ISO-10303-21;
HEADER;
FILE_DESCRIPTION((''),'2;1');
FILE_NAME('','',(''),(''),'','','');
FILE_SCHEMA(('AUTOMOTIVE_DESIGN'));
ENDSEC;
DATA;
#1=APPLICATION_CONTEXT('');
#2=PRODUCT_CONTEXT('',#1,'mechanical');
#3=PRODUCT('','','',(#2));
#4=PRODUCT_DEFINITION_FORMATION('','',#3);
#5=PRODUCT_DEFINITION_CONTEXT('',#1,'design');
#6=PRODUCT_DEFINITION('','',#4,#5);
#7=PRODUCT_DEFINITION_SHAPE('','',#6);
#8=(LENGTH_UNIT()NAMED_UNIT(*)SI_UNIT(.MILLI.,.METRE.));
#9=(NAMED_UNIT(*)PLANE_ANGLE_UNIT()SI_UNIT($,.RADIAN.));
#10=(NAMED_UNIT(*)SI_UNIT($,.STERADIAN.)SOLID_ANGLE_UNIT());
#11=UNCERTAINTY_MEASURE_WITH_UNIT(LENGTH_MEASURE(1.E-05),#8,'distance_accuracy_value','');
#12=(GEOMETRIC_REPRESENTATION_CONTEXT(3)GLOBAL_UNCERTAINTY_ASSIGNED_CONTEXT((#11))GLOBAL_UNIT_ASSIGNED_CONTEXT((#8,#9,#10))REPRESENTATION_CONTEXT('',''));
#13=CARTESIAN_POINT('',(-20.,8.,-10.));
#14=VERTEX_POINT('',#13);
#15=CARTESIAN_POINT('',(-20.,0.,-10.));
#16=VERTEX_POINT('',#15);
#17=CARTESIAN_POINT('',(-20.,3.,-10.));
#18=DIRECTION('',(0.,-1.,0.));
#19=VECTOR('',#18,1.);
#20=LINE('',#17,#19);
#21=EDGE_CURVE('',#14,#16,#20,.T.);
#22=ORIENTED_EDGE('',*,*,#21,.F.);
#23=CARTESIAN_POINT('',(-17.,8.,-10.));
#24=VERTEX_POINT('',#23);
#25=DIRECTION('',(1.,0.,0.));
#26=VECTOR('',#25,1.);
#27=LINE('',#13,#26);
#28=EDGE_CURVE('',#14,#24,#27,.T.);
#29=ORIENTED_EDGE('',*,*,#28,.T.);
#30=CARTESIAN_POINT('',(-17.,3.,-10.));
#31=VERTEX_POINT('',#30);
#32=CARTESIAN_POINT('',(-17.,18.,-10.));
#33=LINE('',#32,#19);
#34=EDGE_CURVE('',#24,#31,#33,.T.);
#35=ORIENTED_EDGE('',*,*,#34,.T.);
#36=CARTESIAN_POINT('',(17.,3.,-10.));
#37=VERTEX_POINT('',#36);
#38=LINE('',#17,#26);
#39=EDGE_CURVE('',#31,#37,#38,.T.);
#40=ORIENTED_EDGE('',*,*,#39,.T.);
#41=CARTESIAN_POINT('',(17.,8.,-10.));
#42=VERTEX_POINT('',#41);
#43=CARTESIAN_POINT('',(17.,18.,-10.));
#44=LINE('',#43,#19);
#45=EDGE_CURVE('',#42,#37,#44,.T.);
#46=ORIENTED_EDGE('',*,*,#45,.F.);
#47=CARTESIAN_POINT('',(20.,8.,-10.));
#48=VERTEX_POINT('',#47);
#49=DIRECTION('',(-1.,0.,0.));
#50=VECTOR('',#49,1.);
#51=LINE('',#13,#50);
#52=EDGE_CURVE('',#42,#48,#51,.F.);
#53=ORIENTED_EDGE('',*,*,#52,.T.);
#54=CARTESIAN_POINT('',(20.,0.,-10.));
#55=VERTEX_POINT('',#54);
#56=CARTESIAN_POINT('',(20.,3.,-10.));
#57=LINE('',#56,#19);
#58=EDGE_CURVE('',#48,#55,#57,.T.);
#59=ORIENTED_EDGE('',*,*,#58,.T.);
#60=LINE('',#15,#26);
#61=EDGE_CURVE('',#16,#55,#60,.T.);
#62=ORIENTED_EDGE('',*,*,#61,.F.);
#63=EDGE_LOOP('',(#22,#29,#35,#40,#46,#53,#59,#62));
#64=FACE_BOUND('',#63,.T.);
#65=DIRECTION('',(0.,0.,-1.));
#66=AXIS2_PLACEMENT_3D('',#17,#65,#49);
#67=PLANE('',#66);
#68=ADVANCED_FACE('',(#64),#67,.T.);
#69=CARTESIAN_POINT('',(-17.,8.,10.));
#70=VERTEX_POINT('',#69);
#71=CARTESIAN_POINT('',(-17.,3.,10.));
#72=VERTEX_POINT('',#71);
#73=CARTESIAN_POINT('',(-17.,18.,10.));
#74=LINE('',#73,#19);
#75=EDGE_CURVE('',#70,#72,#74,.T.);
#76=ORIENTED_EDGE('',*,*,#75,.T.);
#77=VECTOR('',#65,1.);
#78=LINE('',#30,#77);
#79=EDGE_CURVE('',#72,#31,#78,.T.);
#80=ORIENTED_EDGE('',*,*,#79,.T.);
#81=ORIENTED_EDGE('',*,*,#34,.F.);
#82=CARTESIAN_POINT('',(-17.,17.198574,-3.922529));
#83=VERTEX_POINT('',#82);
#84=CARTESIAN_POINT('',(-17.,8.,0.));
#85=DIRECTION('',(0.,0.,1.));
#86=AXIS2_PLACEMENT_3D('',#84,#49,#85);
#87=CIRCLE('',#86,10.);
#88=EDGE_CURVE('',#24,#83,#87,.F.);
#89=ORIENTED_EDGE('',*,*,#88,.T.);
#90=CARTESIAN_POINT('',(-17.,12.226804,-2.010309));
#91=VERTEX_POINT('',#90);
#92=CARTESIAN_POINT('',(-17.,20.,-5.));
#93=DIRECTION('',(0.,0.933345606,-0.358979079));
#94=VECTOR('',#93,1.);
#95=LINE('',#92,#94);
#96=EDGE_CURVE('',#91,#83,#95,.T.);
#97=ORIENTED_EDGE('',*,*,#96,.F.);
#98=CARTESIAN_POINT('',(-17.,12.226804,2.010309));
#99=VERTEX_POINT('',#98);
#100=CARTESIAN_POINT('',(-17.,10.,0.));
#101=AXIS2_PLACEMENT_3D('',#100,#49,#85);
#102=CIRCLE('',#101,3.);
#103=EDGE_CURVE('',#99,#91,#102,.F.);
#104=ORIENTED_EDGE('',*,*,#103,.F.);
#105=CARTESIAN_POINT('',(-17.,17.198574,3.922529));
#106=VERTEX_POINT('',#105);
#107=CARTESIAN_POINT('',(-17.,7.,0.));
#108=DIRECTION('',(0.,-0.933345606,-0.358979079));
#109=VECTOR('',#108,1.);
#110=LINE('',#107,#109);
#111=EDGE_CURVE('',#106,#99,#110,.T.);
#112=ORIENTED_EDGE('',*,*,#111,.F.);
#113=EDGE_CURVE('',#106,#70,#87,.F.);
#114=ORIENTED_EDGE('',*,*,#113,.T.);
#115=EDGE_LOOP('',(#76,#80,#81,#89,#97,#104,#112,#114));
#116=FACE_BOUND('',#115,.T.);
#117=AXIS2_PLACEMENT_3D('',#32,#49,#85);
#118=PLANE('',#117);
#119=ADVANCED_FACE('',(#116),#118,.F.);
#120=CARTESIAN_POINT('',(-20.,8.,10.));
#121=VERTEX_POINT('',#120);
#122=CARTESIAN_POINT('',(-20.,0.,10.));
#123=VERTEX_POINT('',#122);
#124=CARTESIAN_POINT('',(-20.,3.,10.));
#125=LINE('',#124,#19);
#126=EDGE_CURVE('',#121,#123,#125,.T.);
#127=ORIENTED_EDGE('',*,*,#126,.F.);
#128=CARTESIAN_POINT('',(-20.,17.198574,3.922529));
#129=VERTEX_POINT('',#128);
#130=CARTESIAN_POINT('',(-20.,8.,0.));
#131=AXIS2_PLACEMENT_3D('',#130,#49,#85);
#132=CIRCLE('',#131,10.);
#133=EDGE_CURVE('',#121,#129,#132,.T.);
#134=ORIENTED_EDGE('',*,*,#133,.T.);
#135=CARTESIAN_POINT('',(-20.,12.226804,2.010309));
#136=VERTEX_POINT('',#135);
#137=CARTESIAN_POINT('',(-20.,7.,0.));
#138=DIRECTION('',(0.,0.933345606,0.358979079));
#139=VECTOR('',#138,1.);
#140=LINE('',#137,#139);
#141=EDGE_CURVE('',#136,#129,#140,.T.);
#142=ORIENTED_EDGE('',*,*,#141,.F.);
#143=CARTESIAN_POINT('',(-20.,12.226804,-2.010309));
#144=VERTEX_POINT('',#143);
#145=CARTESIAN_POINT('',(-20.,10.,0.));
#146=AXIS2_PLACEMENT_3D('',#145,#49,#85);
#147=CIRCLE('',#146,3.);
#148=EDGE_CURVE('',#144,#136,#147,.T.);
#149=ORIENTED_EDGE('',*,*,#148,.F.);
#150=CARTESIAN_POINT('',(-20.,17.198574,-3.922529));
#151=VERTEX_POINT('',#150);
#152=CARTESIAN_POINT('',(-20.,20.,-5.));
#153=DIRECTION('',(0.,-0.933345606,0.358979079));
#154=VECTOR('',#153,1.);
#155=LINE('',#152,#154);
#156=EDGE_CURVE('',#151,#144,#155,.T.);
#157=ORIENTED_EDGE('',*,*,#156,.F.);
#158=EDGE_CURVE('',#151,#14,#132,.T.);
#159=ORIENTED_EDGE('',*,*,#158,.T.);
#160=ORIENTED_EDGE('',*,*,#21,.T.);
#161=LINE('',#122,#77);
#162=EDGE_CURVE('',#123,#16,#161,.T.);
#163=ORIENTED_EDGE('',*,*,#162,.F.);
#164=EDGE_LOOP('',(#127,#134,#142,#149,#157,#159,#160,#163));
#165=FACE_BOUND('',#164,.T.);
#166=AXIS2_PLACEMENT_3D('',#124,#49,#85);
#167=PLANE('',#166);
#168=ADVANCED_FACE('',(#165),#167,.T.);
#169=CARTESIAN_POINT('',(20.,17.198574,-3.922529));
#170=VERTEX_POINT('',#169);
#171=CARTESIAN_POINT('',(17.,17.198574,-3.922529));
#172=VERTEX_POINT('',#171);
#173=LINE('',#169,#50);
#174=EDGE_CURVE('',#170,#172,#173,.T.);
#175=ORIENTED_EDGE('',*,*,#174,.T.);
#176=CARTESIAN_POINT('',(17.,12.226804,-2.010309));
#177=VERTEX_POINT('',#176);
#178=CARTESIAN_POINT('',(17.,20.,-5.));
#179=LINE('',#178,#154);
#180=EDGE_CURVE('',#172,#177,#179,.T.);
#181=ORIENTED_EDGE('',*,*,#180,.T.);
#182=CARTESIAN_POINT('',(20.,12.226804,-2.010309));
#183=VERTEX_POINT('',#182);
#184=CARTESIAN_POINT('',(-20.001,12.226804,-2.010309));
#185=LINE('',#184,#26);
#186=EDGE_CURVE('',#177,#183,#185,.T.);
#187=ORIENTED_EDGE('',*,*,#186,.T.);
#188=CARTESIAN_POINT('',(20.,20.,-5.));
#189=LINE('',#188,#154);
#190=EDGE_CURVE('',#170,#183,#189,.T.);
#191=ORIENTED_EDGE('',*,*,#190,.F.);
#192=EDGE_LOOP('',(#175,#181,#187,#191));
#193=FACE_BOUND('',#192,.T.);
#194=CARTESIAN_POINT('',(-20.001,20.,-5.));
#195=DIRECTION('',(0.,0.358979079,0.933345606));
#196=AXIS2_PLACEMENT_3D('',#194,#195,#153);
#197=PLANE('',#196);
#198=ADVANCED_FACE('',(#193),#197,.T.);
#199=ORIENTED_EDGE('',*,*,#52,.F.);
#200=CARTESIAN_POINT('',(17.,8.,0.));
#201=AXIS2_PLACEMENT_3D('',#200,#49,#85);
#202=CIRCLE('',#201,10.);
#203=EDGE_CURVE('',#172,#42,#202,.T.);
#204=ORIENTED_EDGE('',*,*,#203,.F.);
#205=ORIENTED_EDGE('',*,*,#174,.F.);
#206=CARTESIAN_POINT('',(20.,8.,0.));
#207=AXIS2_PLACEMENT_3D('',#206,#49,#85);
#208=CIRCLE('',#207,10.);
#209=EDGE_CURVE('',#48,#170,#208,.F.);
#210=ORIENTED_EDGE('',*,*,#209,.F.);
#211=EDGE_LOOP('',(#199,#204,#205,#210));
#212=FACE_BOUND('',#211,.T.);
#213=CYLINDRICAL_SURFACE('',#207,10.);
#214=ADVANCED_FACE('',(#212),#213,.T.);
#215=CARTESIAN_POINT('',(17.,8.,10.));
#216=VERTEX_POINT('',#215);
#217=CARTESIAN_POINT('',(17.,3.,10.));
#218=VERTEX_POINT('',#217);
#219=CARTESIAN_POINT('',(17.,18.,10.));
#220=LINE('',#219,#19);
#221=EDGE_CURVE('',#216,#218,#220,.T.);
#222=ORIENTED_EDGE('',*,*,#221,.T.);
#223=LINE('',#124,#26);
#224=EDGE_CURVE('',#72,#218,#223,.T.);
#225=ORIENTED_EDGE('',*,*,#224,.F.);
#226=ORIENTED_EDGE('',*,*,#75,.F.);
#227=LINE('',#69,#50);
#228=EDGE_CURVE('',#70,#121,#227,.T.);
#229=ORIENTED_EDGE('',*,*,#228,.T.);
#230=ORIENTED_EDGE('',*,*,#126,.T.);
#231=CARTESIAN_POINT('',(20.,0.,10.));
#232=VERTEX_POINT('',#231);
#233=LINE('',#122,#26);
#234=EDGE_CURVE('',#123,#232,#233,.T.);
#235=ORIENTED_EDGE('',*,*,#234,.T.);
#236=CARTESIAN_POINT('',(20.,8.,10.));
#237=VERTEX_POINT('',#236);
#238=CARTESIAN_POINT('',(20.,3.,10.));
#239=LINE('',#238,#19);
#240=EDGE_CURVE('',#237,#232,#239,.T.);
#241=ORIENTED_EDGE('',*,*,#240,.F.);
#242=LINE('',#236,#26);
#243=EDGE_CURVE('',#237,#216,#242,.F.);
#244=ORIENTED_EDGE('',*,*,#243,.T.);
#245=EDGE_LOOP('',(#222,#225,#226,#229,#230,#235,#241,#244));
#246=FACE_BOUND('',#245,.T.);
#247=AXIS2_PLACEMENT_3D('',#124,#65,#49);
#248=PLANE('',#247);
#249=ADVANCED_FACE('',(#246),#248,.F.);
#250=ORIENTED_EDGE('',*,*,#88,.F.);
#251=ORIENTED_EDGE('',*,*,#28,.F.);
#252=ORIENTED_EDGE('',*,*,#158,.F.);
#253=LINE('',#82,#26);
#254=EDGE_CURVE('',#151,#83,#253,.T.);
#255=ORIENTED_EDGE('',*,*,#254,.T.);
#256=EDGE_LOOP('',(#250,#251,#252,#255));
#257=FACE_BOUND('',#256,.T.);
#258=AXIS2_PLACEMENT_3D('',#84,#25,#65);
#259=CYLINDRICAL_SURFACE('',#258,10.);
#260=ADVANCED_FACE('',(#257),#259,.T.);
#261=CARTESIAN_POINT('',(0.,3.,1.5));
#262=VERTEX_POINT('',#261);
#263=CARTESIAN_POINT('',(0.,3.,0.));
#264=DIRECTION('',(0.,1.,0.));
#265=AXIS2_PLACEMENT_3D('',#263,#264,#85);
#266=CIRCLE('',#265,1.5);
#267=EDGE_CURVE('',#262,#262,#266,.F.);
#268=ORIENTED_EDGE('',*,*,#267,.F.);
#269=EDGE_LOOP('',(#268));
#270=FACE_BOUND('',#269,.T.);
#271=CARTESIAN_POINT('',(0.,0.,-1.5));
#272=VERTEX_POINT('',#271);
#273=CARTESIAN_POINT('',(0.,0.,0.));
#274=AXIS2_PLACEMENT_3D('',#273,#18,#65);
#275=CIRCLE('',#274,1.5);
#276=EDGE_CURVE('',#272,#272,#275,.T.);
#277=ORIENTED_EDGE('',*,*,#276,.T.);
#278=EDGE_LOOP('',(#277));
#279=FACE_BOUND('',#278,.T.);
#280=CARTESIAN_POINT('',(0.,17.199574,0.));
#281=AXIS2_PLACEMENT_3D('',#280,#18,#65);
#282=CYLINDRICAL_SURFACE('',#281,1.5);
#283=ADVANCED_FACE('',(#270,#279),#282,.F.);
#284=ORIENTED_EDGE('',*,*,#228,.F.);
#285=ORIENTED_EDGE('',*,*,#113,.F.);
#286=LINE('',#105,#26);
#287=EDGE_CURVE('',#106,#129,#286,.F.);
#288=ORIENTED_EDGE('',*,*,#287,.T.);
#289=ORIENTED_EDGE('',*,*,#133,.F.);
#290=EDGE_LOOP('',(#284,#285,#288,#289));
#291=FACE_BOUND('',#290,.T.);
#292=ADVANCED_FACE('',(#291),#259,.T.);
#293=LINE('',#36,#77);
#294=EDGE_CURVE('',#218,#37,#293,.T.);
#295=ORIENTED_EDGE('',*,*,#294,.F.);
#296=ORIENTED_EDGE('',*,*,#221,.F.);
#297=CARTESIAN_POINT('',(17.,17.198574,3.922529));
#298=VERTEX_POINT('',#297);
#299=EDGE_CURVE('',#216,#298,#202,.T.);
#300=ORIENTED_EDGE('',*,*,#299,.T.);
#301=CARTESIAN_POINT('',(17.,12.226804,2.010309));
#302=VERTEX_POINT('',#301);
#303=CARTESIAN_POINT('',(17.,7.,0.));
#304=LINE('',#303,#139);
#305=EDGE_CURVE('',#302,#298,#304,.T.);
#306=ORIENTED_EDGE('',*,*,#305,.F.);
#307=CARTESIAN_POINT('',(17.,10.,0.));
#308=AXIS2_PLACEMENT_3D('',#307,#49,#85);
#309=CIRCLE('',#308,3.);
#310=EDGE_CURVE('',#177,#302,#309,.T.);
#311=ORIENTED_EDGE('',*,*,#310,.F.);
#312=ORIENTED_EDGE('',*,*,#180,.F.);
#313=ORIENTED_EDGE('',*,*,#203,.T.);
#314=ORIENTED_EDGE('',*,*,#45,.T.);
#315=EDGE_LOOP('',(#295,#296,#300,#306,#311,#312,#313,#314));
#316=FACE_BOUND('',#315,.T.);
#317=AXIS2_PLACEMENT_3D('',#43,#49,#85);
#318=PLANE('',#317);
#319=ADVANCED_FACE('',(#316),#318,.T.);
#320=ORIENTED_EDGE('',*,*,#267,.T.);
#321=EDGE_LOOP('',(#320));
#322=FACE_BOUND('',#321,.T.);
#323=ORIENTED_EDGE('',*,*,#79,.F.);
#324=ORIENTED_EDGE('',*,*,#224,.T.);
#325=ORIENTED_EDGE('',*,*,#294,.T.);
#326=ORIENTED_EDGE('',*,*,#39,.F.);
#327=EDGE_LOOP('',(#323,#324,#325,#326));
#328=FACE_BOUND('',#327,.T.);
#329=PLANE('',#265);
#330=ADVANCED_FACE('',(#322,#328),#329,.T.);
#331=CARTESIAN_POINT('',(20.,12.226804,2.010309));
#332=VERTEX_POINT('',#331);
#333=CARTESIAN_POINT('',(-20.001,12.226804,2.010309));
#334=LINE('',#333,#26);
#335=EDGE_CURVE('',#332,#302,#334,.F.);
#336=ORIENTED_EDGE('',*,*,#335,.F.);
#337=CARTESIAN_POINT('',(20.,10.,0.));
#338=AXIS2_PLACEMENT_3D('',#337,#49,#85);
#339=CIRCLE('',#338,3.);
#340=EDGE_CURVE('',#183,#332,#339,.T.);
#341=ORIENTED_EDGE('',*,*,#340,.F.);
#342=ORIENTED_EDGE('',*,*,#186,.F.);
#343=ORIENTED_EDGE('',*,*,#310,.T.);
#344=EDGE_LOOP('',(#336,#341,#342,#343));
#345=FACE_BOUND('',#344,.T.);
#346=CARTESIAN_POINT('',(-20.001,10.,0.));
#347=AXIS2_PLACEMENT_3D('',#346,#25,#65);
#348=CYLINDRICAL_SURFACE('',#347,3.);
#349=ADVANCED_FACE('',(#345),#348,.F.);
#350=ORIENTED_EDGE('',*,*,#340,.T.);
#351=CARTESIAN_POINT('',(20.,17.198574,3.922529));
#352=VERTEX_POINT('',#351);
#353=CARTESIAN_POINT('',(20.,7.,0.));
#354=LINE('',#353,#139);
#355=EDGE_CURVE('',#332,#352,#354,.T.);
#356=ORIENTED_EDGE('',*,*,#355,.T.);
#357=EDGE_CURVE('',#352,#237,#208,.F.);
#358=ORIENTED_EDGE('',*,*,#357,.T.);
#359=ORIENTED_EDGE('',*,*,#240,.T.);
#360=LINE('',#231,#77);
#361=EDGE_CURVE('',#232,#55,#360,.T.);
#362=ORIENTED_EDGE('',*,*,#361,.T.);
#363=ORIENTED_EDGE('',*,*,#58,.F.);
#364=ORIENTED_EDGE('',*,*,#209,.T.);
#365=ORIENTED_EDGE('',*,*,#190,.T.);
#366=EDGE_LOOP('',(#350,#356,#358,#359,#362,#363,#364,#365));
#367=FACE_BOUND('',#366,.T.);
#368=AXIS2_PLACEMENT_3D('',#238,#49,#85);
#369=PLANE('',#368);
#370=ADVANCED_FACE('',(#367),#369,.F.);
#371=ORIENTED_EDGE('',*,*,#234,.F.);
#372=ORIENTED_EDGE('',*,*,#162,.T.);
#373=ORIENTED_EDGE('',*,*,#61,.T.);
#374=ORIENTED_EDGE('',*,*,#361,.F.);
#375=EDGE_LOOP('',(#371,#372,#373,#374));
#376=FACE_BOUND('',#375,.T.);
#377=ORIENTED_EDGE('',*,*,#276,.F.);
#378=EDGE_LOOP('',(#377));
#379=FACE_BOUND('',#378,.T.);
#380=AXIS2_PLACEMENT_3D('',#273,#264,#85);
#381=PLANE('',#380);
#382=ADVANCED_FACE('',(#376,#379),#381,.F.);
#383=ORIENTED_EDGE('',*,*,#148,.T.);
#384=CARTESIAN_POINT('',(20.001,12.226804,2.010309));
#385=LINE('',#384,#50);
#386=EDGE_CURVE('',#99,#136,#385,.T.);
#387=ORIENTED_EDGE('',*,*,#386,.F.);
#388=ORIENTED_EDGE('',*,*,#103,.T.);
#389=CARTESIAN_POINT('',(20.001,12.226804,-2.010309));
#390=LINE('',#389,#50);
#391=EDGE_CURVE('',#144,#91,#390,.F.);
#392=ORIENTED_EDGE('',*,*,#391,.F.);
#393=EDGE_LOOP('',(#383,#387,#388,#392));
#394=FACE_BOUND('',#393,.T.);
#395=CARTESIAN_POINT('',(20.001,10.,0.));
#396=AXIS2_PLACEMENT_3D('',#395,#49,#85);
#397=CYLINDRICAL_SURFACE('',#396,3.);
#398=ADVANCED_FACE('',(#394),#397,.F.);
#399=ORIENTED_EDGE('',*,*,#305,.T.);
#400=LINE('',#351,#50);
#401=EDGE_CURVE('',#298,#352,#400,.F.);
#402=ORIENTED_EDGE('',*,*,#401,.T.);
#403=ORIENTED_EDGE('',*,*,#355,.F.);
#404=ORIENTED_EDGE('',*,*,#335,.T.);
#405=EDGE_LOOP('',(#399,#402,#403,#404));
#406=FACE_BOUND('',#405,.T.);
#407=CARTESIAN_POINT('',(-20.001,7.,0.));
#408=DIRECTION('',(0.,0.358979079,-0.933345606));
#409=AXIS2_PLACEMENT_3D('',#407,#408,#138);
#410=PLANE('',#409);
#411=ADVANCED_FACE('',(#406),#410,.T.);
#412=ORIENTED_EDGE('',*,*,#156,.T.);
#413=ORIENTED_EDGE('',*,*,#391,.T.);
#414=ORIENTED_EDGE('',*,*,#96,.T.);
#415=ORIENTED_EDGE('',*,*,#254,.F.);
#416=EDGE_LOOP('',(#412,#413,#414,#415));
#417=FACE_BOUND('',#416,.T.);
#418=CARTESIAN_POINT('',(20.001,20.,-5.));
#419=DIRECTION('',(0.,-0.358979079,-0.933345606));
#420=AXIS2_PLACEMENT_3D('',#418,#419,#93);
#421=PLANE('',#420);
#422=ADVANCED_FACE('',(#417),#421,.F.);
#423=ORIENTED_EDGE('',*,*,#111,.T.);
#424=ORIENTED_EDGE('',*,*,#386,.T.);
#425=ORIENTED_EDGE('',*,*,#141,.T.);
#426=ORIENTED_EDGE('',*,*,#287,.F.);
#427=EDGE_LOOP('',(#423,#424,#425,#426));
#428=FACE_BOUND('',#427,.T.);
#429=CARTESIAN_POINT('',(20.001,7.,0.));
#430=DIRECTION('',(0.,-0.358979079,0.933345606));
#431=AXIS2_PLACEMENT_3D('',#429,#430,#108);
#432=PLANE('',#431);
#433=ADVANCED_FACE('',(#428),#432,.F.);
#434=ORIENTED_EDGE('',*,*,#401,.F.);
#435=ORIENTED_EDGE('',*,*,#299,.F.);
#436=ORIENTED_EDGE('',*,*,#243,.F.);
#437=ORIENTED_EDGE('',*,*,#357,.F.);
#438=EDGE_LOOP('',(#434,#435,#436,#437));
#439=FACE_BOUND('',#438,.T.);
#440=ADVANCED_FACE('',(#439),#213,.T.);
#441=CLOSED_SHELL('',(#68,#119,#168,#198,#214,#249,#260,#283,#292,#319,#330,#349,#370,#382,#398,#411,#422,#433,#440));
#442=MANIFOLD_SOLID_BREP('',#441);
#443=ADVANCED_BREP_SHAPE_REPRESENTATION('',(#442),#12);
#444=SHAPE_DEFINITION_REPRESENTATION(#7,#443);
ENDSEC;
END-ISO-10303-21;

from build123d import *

# Parameters (mm, degrees)
SKETCH1_W                   = 40
SKETCH1_H                   = 20
BOSS_EXTRUDE1_DEPTH         = 3
SKETCH2_W                   = 3
SKETCH2_H                   = 20
BOSS_EXTRUDE2_DEPTH         = 15
CUT_EXTRUDE1_REACH          = 46.989
SKETCH4_R                   = 3
FILLET1_RADIUS              = 10
FILLET1_LENGTH              = 3
CUT_EXTRUDE3_REACH          = 46.989
FILLET1_OF_MIRROR1_2_RADIUS = 10
FILLET1_OF_MIRROR1_2_LENGTH = 3
CUT_EXTRUDE2_REACH          = 30.21
SKETCH6_R                   = 1.5


with BuildPart() as part:
    # Sketch1 → Boss-Extrude1 (new body)
    with BuildSketch(Plane(origin=(0, 0, 0), x_dir=(1, 0, 0), z_dir=(0, 1, 0))):
        Rectangle(SKETCH1_W, SKETCH1_H)
    extrude(amount=BOSS_EXTRUDE1_DEPTH)

    # Sketch2 → Boss-Extrude2 (add)
    with BuildSketch(Plane(origin=(0, 3, 0), x_dir=(1, 0, 0), z_dir=(0, 1, 0))):
        with Locations((-18.5, 0)):
            Rectangle(SKETCH2_W, SKETCH2_H)
    boss_extrude2 = extrude(amount=BOSS_EXTRUDE2_DEPTH)

    # Sketch4 → Cut-Extrude1 (cut, up to next)
    with BuildSketch(Plane.ZY.offset(20), mode=Mode.PRIVATE) as cut_extrude1_sk1:
        with Locations((0, 10)):
            Circle(SKETCH4_R)
    cut_extrude1_tool1 = extrude(cut_extrude1_sk1.sketch, amount=-CUT_EXTRUDE1_REACH, mode=Mode.PRIVATE) & part.part
    cut_extrude1 = cut_extrude1_tool1.solids().sort_by_distance((-20, 10, 0))[0]
    add(cut_extrude1, mode=Mode.SUBTRACT)

    # Fillet1: full round fillet: the end face becomes a half cylinder, R = half its width
    fillet1_face = Plane((-18.5, 18, 0), x_dir=(1, 0, 0), z_dir=(0, 1, 0))  # on the end face: x along it, z out of the body
    fillet1_slab = fillet1_face.offset(-FILLET1_RADIUS / 2) * Box(FILLET1_LENGTH, 2 * FILLET1_RADIUS, FILLET1_RADIUS, mode=Mode.PRIVATE)  # the body's end, R deep
    fillet1_round = Plane((-18.5, 8, 0), x_dir=(0, 1, 0), z_dir=(1, 0, 0)) * Cylinder(FILLET1_RADIUS, FILLET1_LENGTH, mode=Mode.PRIVATE)  # its axis R under the face
    add(fillet1_slab - fillet1_round, mode=Mode.SUBTRACT)

    # Sketch8 → Cut-Extrude3 (cut, up to next)
    with BuildSketch(Plane.ZY.offset(20), mode=Mode.PRIVATE) as cut_extrude3_sk1:
        Polygon((0, 7), (5, 20), (-5, 20), align=None)
    cut_extrude3_tool1 = extrude(cut_extrude3_sk1.sketch, amount=-CUT_EXTRUDE3_REACH, mode=Mode.PRIVATE) & part.part
    cut_extrude3 = cut_extrude3_tool1.solids().sort_by_distance((-20, 15.666667, 0))[0]
    add(cut_extrude3, mode=Mode.SUBTRACT)

    # Mirror1: Boss-Extrude2, Cut-Extrude1, Cut-Extrude3 across plane
    add(boss_extrude2.mirror(Plane(origin=(0, 0, 0), x_dir=(0, 0, 1), z_dir=(1, 0, 0))))
    add(cut_extrude1.mirror(Plane(origin=(0, 0, 0), x_dir=(0, 0, 1), z_dir=(1, 0, 0))), mode=Mode.SUBTRACT)
    add(cut_extrude3.mirror(Plane(origin=(0, 0, 0), x_dir=(0, 0, 1), z_dir=(1, 0, 0))), mode=Mode.SUBTRACT)

    # Fillet1 of Mirror1 2: full round fillet: the end face becomes a half cylinder, R = half its width
    fillet1_of_mirror1_2_face = Plane((18.5, 18, 0), x_dir=(-1, 0, 0), z_dir=(0, 1, 0))  # on the end face: x along it, z out of the body
    fillet1_of_mirror1_2_slab = fillet1_of_mirror1_2_face.offset(-FILLET1_OF_MIRROR1_2_RADIUS / 2) * Box(FILLET1_OF_MIRROR1_2_LENGTH, 2 * FILLET1_OF_MIRROR1_2_RADIUS, FILLET1_OF_MIRROR1_2_RADIUS, mode=Mode.PRIVATE)  # the body's end, R deep
    fillet1_of_mirror1_2_round = Plane((18.5, 8, 0), x_dir=(0, 1, 0), z_dir=(-1, 0, 0)) * Cylinder(FILLET1_OF_MIRROR1_2_RADIUS, FILLET1_OF_MIRROR1_2_LENGTH, mode=Mode.PRIVATE)  # its axis R under the face
    add(fillet1_of_mirror1_2_slab - fillet1_of_mirror1_2_round, mode=Mode.SUBTRACT)

    # Sketch6 → Cut-Extrude2 (cut, up to next)
    with BuildSketch(Plane.XZ, mode=Mode.PRIVATE) as cut_extrude2_sk1:
        with Locations(Location((0, 0, 0), (0, 0, 270))):
            Circle(SKETCH6_R)
    cut_extrude2_tool1 = extrude(cut_extrude2_sk1.sketch, amount=-CUT_EXTRUDE2_REACH, mode=Mode.PRIVATE) & part.part
    add(cut_extrude2_tool1.solids().sort_by_distance((0, 0, 0))[0], mode=Mode.SUBTRACT)


solid = part.part
